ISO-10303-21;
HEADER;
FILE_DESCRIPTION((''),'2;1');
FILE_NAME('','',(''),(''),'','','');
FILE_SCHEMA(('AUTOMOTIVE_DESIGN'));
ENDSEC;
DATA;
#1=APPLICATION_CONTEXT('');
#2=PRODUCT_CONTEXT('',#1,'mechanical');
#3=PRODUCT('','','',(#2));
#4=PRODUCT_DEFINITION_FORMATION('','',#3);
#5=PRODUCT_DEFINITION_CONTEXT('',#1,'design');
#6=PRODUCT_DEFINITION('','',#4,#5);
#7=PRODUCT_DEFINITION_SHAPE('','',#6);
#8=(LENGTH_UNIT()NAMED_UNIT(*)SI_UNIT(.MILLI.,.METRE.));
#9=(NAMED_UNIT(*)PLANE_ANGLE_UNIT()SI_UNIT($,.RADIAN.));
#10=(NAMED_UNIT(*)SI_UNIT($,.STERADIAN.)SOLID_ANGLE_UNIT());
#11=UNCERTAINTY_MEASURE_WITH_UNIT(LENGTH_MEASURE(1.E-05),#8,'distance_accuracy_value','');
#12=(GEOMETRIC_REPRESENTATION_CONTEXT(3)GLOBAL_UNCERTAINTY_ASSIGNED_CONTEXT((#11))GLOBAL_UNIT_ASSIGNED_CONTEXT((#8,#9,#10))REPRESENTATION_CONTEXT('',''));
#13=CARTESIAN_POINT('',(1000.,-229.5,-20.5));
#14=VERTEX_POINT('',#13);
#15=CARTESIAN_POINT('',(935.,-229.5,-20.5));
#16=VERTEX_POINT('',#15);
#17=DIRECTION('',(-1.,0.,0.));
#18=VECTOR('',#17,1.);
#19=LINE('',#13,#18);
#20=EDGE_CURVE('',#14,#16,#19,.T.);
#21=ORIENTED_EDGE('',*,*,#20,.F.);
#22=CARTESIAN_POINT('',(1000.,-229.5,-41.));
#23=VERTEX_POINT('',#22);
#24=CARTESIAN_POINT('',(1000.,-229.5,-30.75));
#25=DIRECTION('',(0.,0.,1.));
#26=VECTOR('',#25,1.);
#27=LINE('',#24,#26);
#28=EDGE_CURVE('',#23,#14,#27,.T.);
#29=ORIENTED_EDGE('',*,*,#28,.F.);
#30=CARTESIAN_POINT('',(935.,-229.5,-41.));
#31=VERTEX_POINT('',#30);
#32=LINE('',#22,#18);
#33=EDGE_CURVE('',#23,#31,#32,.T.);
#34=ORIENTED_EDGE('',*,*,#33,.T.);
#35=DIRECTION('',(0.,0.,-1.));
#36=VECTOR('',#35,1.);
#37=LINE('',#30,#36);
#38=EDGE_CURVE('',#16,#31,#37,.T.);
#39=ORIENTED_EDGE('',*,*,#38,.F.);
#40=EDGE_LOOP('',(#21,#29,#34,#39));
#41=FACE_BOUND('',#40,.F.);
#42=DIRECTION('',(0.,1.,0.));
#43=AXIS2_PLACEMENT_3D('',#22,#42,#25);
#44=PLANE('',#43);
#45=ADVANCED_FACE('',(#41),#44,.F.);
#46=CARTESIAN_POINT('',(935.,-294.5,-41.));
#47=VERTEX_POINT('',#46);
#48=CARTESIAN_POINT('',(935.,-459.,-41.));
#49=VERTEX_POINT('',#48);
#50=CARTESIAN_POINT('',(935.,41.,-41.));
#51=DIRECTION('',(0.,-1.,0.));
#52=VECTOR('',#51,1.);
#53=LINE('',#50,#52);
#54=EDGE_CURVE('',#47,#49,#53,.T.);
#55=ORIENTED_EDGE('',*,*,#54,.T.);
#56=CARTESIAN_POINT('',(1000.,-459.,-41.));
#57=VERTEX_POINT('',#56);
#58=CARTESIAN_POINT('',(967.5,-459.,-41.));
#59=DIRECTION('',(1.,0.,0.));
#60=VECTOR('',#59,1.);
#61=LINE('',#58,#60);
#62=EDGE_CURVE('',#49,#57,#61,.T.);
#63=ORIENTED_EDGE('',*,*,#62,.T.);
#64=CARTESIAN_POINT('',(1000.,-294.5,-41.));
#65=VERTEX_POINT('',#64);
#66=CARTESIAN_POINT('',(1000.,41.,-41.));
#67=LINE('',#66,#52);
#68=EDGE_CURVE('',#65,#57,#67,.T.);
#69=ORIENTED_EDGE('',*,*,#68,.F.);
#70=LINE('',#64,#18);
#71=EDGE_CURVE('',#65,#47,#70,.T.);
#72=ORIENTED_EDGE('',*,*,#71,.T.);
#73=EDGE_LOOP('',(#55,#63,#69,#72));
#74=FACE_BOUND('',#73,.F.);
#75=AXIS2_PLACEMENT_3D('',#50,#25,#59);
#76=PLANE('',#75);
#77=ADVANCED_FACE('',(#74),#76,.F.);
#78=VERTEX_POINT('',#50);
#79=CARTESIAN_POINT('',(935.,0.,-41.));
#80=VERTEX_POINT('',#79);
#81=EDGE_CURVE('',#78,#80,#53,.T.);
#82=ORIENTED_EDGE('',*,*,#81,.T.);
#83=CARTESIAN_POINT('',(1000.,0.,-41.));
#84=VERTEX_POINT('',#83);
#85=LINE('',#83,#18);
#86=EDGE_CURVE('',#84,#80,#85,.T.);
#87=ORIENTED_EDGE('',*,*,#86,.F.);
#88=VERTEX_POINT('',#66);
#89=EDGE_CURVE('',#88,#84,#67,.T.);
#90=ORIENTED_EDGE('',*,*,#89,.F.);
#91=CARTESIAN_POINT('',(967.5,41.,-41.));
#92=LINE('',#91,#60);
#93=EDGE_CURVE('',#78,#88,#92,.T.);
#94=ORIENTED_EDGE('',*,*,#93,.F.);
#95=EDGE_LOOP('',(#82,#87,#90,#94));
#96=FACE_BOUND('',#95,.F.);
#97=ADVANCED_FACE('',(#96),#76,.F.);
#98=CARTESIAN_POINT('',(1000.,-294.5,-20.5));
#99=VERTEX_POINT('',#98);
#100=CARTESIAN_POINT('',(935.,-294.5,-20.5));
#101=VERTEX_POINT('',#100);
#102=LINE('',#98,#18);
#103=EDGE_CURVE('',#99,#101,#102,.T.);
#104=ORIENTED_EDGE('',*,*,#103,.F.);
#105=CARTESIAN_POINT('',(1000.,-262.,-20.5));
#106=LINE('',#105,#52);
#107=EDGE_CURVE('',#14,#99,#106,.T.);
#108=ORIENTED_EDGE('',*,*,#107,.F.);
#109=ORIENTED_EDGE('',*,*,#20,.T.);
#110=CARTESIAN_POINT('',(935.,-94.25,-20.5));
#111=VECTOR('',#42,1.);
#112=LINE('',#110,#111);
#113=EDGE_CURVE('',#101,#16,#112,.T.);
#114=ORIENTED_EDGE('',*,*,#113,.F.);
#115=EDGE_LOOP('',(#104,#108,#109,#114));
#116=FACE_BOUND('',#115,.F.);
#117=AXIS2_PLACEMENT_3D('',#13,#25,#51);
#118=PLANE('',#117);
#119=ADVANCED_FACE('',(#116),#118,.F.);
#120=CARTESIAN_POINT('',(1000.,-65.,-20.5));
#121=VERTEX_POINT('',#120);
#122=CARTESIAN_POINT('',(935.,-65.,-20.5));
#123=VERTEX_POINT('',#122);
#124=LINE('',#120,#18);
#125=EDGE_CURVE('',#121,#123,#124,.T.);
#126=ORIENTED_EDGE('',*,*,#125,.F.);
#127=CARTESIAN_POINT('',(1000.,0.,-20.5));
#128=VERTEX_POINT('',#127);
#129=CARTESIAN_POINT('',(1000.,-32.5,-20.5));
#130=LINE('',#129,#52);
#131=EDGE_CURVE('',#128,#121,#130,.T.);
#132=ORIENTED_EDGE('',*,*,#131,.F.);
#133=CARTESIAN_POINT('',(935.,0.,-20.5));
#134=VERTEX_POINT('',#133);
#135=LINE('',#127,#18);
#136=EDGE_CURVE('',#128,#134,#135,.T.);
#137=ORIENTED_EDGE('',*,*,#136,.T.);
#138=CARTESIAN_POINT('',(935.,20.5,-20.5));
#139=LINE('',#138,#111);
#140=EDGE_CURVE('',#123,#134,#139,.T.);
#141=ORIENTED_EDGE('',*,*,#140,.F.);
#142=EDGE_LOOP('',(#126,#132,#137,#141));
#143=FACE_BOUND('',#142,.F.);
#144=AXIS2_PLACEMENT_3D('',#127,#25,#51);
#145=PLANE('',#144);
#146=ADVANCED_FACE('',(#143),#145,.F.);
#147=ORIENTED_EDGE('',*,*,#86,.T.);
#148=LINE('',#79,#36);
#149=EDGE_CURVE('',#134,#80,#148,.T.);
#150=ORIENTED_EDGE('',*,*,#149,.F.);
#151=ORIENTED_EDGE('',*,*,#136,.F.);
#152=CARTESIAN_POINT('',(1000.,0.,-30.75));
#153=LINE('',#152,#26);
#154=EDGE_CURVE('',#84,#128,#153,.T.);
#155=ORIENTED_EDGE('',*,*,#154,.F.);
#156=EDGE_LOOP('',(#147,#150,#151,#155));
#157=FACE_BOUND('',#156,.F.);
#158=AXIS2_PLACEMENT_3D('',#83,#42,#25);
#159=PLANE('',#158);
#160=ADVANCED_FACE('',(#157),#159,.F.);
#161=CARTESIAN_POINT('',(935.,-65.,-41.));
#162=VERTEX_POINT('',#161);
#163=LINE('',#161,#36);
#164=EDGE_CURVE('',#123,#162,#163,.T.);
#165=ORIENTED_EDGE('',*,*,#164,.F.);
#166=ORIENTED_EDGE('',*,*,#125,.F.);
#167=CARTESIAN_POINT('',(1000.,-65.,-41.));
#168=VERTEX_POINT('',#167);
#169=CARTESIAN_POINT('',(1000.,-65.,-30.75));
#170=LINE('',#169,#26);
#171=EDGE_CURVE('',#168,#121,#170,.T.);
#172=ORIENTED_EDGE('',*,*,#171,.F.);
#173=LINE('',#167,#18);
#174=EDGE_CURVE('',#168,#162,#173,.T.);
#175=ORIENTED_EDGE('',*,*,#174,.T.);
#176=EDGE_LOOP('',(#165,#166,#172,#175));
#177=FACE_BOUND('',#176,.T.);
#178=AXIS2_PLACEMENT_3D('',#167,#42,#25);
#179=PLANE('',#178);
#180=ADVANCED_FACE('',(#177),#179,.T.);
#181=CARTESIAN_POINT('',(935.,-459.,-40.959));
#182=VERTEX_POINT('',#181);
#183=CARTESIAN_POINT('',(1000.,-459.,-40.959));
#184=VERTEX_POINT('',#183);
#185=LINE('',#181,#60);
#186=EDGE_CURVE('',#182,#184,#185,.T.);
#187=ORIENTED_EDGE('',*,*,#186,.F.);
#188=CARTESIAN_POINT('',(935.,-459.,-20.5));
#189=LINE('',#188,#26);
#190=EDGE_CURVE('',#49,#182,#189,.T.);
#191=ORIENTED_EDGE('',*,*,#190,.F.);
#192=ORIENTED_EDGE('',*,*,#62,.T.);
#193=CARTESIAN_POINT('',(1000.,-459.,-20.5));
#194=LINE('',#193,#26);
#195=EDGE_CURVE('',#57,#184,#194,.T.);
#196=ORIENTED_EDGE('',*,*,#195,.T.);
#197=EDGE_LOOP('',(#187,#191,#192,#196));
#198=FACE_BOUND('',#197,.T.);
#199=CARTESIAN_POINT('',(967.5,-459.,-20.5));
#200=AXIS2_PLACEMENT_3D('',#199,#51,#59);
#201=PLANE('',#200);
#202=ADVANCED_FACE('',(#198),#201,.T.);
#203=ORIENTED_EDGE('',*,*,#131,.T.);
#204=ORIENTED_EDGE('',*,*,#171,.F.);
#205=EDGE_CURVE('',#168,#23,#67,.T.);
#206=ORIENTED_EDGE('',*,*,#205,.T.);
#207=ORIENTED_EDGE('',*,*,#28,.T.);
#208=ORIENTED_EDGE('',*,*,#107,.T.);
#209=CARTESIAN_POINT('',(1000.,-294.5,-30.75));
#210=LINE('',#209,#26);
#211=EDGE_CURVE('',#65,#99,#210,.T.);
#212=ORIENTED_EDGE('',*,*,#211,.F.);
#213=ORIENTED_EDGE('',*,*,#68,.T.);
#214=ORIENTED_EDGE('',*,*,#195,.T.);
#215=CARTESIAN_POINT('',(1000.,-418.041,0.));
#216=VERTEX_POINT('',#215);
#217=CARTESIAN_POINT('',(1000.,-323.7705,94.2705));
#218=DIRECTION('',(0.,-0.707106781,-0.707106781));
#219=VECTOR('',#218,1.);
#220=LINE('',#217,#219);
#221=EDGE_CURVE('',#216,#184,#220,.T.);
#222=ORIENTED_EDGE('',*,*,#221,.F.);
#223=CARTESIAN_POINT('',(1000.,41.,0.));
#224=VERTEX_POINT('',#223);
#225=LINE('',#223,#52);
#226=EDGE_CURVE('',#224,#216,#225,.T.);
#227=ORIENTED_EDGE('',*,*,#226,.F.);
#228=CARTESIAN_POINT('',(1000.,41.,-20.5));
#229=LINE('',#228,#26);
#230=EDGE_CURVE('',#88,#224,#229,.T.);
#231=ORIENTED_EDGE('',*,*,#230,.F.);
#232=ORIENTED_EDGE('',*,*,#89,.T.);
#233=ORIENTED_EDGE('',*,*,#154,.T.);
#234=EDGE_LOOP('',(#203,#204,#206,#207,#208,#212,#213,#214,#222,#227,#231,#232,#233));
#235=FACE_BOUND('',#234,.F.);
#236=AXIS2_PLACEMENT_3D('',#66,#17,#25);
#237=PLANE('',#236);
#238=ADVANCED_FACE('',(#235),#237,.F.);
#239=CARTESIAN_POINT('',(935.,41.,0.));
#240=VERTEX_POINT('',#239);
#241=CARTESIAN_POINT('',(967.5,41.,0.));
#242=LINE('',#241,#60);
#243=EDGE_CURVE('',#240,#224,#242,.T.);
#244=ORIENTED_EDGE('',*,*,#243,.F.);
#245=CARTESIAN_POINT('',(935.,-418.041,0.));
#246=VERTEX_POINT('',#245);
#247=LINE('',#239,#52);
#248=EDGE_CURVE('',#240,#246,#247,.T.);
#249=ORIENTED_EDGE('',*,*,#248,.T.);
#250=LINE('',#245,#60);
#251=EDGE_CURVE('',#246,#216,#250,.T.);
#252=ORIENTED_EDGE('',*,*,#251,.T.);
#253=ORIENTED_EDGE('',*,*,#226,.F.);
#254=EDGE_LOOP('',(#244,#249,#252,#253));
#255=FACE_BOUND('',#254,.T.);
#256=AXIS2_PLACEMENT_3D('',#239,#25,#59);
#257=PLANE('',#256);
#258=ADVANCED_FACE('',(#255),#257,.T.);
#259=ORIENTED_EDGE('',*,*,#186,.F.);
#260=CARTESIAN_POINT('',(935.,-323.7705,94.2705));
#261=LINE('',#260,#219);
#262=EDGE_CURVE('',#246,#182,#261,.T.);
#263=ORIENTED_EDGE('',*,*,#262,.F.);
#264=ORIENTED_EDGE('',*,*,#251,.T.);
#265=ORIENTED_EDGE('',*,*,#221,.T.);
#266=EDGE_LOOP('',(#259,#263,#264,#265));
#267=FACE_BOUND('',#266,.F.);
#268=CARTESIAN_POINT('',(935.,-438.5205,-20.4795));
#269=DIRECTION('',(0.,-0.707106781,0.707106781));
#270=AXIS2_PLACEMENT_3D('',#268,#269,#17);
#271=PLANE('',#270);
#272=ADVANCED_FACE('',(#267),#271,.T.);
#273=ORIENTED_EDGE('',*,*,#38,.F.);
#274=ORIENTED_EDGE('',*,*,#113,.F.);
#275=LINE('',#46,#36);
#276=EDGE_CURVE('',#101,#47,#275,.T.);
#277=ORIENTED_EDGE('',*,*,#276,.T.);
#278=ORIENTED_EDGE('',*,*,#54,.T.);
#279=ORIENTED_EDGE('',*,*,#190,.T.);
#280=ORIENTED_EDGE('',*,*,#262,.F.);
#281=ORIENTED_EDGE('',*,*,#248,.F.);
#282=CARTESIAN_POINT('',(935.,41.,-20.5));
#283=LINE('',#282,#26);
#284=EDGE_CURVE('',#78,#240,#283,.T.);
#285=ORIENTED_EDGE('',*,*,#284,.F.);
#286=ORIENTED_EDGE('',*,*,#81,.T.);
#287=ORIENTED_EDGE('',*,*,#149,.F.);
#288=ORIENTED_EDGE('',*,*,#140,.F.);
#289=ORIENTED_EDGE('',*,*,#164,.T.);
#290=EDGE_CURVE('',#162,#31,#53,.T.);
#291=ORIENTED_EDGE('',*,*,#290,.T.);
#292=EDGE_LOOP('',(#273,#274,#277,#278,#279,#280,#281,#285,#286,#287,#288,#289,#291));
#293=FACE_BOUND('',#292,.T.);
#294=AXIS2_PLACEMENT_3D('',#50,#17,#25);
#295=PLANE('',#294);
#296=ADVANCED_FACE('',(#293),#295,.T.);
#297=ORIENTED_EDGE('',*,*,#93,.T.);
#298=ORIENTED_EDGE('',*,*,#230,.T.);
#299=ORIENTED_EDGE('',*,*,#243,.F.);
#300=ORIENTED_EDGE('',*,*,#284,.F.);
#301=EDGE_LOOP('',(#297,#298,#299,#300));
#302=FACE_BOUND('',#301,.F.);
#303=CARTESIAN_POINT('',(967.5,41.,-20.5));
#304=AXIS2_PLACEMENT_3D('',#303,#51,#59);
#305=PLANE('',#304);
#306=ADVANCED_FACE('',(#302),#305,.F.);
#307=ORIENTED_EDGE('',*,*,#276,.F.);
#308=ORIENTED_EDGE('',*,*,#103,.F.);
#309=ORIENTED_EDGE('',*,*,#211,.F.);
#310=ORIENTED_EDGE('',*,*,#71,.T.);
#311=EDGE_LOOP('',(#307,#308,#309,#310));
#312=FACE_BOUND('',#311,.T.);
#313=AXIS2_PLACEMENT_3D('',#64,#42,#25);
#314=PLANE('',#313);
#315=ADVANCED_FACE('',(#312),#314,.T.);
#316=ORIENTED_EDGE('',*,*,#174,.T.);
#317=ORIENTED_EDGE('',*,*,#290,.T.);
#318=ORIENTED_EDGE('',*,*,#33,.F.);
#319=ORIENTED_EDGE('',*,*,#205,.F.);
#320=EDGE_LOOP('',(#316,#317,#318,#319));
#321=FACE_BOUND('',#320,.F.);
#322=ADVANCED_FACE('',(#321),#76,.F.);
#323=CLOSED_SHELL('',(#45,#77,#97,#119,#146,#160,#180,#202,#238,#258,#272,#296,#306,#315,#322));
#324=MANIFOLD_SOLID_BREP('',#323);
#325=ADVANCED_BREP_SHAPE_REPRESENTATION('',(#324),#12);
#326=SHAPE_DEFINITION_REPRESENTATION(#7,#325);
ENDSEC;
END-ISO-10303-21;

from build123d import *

# Parameters (mm, degrees)
SKETCH001_W     = 65
SKETCH001_H     = 41
PAD001_DEPTH    = 500
CHAMFER_SIZE    = 40.959
SKETCH004_W     = 20.5
SKETCH004_H     = 65
POCKET001_DEPTH = 65.001


with BuildPart() as part:
    # Sketch001 → Pad001 (new body)
    with BuildSketch(Plane.XZ.offset(-41)):
        with Locations((32.5, -20.5)):
            Rectangle(SKETCH001_W, SKETCH001_H)
    extrude(amount=PAD001_DEPTH)

    # Chamfer
    chamfer_edges = [part.edges().sort_by_distance(p)[0] for p in [
        (32.5, -459, 0),
    ]]
    chamfer(chamfer_edges, length=CHAMFER_SIZE)

    # Sketch004 (on Face5 of Chamfer) → Pocket001 (cut, through all)
    with BuildSketch(Plane(origin=(65, 0, 0), x_dir=(0, 0, 1), z_dir=(1, 0, 0))):
        with Locations((-30.75, 32.5)):
            Rectangle(SKETCH004_W, SKETCH004_H)
        with Locations((-30.75, 262)):
            Rectangle(SKETCH004_W, SKETCH004_H)
    extrude(amount=-POCKET001_DEPTH, mode=Mode.SUBTRACT)


with BuildPart() as part_1:
    # Clone005 placement: moved
    add(part.part.moved(Location((467.5, 0, 0))))


with BuildPart() as part_2:
    # Clone009 placement: moved
    add(part_1.part.moved(Location((467.5, 0, 0))))


solid = part_2.part
